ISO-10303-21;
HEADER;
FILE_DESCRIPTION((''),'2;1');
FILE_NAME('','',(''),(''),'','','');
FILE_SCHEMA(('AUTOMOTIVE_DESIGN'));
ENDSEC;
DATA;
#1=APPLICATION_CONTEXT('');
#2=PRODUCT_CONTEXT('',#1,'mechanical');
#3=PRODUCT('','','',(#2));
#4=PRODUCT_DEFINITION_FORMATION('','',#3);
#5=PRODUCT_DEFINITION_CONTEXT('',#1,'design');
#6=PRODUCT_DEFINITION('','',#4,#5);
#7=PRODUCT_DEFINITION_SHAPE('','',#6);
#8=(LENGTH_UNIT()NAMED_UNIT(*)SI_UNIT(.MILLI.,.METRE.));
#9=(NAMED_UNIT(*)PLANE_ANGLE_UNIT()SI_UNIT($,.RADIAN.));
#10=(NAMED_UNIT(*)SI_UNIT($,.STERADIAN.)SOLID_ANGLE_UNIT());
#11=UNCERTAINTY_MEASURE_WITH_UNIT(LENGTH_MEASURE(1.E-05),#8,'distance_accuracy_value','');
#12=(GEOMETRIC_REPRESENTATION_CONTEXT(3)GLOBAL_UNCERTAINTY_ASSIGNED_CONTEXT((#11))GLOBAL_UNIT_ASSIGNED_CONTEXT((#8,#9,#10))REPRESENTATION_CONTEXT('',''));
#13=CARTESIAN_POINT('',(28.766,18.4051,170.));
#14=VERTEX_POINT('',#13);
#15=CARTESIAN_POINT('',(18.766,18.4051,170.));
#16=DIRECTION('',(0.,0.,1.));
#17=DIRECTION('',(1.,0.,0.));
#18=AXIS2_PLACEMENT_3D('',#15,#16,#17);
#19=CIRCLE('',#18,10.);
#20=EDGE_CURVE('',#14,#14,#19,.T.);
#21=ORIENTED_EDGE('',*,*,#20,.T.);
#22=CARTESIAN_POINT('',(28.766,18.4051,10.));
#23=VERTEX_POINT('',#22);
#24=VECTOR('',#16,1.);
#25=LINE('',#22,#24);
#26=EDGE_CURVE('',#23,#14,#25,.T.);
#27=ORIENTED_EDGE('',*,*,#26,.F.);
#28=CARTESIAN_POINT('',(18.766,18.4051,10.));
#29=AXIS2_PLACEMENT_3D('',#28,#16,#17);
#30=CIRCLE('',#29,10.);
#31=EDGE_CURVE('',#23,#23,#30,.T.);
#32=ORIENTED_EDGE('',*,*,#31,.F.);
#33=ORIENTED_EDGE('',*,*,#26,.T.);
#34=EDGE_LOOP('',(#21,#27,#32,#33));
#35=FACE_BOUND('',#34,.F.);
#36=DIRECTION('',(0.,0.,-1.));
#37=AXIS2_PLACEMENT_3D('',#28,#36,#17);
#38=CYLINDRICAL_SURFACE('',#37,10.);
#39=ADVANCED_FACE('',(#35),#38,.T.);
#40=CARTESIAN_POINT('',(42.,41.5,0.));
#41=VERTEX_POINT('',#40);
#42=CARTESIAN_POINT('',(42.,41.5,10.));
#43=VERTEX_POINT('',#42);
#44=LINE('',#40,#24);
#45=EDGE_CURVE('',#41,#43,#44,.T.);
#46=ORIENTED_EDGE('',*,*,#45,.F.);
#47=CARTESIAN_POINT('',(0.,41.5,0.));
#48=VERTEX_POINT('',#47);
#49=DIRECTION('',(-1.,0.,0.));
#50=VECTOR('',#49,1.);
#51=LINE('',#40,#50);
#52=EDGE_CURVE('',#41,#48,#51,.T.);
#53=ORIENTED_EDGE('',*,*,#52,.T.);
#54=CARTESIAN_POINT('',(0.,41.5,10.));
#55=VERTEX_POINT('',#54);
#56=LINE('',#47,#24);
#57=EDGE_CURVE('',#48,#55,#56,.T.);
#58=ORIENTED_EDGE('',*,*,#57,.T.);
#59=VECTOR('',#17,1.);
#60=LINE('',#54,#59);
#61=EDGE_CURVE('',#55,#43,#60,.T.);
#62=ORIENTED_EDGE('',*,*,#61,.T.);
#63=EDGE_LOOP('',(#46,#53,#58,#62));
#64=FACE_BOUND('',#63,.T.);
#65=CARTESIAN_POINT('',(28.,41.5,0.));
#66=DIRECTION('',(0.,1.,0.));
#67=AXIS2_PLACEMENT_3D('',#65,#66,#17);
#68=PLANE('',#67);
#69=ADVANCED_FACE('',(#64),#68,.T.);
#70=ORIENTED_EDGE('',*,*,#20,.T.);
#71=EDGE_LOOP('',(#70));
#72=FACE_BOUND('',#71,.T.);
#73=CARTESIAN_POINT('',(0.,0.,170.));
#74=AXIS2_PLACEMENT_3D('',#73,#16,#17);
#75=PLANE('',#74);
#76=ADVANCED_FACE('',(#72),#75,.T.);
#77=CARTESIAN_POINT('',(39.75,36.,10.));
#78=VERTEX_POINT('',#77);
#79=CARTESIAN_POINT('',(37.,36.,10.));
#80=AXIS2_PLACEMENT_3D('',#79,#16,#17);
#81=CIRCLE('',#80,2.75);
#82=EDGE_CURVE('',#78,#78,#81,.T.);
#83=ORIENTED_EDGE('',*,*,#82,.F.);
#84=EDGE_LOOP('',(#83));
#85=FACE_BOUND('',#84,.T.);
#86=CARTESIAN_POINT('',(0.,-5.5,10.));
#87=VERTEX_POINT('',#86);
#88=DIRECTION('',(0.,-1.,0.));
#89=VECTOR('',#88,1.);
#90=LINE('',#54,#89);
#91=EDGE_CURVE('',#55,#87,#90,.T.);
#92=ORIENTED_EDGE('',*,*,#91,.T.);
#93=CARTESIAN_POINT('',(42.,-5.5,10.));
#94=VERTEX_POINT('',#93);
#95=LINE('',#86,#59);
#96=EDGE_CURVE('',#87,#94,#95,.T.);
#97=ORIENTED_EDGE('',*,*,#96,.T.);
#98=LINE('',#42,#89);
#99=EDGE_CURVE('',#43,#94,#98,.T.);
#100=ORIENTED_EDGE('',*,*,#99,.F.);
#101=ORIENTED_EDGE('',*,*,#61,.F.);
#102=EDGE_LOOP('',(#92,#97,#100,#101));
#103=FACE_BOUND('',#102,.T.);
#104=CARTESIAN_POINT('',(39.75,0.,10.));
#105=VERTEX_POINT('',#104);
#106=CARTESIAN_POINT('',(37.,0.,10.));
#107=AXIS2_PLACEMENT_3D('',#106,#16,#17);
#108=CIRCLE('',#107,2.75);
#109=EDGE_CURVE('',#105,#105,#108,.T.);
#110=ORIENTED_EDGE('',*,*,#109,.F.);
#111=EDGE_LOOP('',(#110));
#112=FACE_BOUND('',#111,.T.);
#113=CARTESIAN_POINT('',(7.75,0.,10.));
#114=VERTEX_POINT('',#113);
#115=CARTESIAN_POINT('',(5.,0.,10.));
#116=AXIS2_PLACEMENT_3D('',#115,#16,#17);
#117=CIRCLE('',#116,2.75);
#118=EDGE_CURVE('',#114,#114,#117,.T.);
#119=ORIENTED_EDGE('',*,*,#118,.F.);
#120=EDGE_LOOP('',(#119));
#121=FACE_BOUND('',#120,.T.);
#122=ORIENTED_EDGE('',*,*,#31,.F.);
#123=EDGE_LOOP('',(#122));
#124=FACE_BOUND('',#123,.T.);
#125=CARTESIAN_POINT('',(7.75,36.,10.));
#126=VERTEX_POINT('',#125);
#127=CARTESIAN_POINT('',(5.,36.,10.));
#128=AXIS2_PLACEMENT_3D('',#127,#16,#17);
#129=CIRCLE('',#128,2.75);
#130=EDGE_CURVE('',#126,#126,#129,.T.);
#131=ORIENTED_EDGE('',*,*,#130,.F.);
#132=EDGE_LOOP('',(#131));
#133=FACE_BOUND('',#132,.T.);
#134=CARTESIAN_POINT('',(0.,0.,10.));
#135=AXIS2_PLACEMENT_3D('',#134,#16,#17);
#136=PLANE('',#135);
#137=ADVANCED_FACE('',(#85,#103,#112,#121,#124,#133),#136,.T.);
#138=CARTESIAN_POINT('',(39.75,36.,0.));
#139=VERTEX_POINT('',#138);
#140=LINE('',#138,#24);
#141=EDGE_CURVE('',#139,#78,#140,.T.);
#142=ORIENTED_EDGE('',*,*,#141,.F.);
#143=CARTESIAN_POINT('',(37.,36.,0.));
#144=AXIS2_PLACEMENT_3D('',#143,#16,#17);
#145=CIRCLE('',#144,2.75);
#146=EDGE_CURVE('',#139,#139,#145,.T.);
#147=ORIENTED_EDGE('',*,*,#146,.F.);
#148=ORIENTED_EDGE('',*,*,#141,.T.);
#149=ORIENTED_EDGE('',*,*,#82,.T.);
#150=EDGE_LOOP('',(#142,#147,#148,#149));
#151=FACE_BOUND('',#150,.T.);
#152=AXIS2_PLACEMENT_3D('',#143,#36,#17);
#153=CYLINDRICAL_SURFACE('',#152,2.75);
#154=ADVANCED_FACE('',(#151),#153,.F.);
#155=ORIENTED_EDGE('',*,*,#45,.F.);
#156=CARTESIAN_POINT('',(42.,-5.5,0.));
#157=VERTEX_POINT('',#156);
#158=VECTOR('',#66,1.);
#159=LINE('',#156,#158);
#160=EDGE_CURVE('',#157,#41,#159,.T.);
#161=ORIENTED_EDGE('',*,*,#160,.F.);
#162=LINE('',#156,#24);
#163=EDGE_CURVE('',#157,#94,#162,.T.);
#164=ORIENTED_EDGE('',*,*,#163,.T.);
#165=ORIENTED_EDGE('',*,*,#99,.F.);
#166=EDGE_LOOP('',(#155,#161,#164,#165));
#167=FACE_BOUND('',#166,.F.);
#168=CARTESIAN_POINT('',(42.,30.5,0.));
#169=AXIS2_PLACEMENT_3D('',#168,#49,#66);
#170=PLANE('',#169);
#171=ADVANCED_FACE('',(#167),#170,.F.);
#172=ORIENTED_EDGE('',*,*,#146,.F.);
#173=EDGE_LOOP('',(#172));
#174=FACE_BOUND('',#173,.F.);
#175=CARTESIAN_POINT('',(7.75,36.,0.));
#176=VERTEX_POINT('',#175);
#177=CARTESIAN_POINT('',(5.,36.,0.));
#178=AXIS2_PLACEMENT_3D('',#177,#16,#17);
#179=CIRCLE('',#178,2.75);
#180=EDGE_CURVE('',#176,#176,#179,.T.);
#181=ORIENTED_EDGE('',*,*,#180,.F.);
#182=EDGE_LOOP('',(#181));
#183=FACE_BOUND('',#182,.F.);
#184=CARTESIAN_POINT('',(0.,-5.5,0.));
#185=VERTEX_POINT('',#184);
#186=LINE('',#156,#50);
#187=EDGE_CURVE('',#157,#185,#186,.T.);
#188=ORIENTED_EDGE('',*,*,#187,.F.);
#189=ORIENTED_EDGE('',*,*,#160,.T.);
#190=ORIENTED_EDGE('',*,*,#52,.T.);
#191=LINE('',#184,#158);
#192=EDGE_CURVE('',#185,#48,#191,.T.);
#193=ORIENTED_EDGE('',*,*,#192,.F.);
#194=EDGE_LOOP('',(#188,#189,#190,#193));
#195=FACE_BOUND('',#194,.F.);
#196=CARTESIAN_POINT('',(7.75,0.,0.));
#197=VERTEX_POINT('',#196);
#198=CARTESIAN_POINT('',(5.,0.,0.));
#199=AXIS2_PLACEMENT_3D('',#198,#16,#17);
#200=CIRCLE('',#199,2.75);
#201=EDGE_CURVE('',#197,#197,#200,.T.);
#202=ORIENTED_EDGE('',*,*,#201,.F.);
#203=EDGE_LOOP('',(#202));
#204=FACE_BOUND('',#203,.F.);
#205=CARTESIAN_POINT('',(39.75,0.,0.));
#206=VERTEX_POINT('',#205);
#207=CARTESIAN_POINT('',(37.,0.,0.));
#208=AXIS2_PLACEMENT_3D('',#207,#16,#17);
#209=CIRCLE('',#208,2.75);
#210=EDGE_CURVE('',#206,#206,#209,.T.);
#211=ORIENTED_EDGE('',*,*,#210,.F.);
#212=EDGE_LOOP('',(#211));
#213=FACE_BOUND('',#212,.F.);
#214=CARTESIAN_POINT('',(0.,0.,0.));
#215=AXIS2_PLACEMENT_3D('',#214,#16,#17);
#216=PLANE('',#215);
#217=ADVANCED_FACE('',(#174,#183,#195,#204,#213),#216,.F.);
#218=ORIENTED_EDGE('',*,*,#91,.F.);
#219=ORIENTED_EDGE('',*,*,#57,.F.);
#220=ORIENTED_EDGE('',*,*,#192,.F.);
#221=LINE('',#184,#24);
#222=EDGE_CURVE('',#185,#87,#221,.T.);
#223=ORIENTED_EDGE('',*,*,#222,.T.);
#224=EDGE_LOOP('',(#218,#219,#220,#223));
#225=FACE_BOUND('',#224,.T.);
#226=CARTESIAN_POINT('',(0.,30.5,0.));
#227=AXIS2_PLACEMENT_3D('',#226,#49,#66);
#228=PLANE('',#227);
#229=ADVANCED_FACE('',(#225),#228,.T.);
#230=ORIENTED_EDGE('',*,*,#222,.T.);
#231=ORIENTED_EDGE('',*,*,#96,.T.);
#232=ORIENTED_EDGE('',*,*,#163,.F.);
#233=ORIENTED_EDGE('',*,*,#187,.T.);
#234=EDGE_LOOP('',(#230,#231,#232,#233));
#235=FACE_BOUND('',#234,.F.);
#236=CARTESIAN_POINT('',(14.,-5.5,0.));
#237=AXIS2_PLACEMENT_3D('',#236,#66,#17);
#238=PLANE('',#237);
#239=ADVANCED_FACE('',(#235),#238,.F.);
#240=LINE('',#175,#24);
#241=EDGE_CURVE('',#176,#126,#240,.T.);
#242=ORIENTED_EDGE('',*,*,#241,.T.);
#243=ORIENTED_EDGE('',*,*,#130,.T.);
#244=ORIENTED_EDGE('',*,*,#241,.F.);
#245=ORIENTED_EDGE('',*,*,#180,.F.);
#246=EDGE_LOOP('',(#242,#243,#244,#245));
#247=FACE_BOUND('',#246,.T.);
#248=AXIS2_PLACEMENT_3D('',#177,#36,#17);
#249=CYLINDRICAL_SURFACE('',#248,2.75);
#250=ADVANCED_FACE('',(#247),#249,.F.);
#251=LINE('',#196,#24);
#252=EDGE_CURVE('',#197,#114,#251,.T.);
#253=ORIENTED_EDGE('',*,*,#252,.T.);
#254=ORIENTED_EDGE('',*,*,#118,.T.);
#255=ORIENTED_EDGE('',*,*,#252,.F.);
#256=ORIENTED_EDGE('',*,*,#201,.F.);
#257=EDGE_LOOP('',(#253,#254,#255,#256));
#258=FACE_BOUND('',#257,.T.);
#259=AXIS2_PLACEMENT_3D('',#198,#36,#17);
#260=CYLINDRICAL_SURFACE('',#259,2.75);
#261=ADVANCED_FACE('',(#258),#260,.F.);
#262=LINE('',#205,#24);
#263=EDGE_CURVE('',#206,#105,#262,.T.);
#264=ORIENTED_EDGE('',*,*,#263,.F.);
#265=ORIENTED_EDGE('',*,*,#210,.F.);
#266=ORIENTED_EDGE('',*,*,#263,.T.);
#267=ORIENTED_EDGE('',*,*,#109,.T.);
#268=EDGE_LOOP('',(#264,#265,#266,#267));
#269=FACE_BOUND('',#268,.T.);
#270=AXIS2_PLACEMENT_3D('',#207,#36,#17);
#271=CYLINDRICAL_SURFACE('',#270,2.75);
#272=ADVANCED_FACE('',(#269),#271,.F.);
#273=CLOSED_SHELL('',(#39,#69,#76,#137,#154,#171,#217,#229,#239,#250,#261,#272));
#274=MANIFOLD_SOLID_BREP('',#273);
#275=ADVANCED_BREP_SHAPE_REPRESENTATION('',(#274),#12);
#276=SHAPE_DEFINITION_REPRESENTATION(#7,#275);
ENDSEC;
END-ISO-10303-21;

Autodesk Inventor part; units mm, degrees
ref_plane "YZ Plane" through (0, 0, 0) normal (1, 0, 0) x (0, 1, 0)
ref_plane "XZ Plane" through (0, 0, 0) normal (0, 1, 0) x (-1, 0, 0)
ref_plane "XY Plane" through (0, 0, 0) normal (0, 0, 1) x (1, 0, 0)
sketch "スケッチ1" plane through (0, 0, 0) normal (0, 0, 1) x (1, 0, 0)
  circle A0 centre (37, 36) radius 2.75 projected
  line L0 (42, 30.5) -> (42, 41.5) projected
  line L1 (28, 41.5) -> (42, 41.5) projected
  line L2 (28, 30.5) -> (28, 41.5) projected
  line L3 (42, 30.5) -> (28, 30.5) projected
  circle A1 centre (5, 36) radius 2.75 projected
  line L4 (14, 30.5) -> (14, 41.5) projected
  line L5 (0, 41.5) -> (14, 41.5) projected
  line L6 (0, 30.5) -> (0, 41.5) projected
  line L7 (14, 30.5) -> (0, 30.5) projected
  circle A2 centre (37, 0) radius 2.75 projected
  line L8 (42, -5.5) -> (42, 5.5) projected
  line L9 (28, 5.5) -> (42, 5.5) projected
  line L10 (28, -5.5) -> (28, 5.5) projected
  line L11 (42, -5.5) -> (28, -5.5) projected
  circle A3 centre (5, 0) radius 2.75 projected
  line L12 (14, -5.5) -> (14, 5.5) projected
  line L13 (0, 5.5) -> (14, 5.5) projected
  line L14 (0, -5.5) -> (0, 5.5) projected
  line L15 (14, -5.5) -> (0, -5.5) projected
  line L16 (0, -5.5) -> (42, -5.5)
  line L17 (42, -5.5) -> (42, 41.5)
  line L18 (42, 41.5) -> (0, 41.5)
  line L19 (0, 41.5) -> (0, -5.5)
  point P0 (0, 0)
extrude "押し出し1" add sketch "スケッチ1" along normal blind 10
sketch "スケッチ2" plane through (0, 0, 10) normal (0, 0, 1) x (1, 0, 0)
  circle A0 centre (18.766, 18.4051) radius 10
  point P0 (0, 0)
  dimension "d2" = 20
extrude "押し出し2" add sketch "スケッチ2" along normal blind 160
